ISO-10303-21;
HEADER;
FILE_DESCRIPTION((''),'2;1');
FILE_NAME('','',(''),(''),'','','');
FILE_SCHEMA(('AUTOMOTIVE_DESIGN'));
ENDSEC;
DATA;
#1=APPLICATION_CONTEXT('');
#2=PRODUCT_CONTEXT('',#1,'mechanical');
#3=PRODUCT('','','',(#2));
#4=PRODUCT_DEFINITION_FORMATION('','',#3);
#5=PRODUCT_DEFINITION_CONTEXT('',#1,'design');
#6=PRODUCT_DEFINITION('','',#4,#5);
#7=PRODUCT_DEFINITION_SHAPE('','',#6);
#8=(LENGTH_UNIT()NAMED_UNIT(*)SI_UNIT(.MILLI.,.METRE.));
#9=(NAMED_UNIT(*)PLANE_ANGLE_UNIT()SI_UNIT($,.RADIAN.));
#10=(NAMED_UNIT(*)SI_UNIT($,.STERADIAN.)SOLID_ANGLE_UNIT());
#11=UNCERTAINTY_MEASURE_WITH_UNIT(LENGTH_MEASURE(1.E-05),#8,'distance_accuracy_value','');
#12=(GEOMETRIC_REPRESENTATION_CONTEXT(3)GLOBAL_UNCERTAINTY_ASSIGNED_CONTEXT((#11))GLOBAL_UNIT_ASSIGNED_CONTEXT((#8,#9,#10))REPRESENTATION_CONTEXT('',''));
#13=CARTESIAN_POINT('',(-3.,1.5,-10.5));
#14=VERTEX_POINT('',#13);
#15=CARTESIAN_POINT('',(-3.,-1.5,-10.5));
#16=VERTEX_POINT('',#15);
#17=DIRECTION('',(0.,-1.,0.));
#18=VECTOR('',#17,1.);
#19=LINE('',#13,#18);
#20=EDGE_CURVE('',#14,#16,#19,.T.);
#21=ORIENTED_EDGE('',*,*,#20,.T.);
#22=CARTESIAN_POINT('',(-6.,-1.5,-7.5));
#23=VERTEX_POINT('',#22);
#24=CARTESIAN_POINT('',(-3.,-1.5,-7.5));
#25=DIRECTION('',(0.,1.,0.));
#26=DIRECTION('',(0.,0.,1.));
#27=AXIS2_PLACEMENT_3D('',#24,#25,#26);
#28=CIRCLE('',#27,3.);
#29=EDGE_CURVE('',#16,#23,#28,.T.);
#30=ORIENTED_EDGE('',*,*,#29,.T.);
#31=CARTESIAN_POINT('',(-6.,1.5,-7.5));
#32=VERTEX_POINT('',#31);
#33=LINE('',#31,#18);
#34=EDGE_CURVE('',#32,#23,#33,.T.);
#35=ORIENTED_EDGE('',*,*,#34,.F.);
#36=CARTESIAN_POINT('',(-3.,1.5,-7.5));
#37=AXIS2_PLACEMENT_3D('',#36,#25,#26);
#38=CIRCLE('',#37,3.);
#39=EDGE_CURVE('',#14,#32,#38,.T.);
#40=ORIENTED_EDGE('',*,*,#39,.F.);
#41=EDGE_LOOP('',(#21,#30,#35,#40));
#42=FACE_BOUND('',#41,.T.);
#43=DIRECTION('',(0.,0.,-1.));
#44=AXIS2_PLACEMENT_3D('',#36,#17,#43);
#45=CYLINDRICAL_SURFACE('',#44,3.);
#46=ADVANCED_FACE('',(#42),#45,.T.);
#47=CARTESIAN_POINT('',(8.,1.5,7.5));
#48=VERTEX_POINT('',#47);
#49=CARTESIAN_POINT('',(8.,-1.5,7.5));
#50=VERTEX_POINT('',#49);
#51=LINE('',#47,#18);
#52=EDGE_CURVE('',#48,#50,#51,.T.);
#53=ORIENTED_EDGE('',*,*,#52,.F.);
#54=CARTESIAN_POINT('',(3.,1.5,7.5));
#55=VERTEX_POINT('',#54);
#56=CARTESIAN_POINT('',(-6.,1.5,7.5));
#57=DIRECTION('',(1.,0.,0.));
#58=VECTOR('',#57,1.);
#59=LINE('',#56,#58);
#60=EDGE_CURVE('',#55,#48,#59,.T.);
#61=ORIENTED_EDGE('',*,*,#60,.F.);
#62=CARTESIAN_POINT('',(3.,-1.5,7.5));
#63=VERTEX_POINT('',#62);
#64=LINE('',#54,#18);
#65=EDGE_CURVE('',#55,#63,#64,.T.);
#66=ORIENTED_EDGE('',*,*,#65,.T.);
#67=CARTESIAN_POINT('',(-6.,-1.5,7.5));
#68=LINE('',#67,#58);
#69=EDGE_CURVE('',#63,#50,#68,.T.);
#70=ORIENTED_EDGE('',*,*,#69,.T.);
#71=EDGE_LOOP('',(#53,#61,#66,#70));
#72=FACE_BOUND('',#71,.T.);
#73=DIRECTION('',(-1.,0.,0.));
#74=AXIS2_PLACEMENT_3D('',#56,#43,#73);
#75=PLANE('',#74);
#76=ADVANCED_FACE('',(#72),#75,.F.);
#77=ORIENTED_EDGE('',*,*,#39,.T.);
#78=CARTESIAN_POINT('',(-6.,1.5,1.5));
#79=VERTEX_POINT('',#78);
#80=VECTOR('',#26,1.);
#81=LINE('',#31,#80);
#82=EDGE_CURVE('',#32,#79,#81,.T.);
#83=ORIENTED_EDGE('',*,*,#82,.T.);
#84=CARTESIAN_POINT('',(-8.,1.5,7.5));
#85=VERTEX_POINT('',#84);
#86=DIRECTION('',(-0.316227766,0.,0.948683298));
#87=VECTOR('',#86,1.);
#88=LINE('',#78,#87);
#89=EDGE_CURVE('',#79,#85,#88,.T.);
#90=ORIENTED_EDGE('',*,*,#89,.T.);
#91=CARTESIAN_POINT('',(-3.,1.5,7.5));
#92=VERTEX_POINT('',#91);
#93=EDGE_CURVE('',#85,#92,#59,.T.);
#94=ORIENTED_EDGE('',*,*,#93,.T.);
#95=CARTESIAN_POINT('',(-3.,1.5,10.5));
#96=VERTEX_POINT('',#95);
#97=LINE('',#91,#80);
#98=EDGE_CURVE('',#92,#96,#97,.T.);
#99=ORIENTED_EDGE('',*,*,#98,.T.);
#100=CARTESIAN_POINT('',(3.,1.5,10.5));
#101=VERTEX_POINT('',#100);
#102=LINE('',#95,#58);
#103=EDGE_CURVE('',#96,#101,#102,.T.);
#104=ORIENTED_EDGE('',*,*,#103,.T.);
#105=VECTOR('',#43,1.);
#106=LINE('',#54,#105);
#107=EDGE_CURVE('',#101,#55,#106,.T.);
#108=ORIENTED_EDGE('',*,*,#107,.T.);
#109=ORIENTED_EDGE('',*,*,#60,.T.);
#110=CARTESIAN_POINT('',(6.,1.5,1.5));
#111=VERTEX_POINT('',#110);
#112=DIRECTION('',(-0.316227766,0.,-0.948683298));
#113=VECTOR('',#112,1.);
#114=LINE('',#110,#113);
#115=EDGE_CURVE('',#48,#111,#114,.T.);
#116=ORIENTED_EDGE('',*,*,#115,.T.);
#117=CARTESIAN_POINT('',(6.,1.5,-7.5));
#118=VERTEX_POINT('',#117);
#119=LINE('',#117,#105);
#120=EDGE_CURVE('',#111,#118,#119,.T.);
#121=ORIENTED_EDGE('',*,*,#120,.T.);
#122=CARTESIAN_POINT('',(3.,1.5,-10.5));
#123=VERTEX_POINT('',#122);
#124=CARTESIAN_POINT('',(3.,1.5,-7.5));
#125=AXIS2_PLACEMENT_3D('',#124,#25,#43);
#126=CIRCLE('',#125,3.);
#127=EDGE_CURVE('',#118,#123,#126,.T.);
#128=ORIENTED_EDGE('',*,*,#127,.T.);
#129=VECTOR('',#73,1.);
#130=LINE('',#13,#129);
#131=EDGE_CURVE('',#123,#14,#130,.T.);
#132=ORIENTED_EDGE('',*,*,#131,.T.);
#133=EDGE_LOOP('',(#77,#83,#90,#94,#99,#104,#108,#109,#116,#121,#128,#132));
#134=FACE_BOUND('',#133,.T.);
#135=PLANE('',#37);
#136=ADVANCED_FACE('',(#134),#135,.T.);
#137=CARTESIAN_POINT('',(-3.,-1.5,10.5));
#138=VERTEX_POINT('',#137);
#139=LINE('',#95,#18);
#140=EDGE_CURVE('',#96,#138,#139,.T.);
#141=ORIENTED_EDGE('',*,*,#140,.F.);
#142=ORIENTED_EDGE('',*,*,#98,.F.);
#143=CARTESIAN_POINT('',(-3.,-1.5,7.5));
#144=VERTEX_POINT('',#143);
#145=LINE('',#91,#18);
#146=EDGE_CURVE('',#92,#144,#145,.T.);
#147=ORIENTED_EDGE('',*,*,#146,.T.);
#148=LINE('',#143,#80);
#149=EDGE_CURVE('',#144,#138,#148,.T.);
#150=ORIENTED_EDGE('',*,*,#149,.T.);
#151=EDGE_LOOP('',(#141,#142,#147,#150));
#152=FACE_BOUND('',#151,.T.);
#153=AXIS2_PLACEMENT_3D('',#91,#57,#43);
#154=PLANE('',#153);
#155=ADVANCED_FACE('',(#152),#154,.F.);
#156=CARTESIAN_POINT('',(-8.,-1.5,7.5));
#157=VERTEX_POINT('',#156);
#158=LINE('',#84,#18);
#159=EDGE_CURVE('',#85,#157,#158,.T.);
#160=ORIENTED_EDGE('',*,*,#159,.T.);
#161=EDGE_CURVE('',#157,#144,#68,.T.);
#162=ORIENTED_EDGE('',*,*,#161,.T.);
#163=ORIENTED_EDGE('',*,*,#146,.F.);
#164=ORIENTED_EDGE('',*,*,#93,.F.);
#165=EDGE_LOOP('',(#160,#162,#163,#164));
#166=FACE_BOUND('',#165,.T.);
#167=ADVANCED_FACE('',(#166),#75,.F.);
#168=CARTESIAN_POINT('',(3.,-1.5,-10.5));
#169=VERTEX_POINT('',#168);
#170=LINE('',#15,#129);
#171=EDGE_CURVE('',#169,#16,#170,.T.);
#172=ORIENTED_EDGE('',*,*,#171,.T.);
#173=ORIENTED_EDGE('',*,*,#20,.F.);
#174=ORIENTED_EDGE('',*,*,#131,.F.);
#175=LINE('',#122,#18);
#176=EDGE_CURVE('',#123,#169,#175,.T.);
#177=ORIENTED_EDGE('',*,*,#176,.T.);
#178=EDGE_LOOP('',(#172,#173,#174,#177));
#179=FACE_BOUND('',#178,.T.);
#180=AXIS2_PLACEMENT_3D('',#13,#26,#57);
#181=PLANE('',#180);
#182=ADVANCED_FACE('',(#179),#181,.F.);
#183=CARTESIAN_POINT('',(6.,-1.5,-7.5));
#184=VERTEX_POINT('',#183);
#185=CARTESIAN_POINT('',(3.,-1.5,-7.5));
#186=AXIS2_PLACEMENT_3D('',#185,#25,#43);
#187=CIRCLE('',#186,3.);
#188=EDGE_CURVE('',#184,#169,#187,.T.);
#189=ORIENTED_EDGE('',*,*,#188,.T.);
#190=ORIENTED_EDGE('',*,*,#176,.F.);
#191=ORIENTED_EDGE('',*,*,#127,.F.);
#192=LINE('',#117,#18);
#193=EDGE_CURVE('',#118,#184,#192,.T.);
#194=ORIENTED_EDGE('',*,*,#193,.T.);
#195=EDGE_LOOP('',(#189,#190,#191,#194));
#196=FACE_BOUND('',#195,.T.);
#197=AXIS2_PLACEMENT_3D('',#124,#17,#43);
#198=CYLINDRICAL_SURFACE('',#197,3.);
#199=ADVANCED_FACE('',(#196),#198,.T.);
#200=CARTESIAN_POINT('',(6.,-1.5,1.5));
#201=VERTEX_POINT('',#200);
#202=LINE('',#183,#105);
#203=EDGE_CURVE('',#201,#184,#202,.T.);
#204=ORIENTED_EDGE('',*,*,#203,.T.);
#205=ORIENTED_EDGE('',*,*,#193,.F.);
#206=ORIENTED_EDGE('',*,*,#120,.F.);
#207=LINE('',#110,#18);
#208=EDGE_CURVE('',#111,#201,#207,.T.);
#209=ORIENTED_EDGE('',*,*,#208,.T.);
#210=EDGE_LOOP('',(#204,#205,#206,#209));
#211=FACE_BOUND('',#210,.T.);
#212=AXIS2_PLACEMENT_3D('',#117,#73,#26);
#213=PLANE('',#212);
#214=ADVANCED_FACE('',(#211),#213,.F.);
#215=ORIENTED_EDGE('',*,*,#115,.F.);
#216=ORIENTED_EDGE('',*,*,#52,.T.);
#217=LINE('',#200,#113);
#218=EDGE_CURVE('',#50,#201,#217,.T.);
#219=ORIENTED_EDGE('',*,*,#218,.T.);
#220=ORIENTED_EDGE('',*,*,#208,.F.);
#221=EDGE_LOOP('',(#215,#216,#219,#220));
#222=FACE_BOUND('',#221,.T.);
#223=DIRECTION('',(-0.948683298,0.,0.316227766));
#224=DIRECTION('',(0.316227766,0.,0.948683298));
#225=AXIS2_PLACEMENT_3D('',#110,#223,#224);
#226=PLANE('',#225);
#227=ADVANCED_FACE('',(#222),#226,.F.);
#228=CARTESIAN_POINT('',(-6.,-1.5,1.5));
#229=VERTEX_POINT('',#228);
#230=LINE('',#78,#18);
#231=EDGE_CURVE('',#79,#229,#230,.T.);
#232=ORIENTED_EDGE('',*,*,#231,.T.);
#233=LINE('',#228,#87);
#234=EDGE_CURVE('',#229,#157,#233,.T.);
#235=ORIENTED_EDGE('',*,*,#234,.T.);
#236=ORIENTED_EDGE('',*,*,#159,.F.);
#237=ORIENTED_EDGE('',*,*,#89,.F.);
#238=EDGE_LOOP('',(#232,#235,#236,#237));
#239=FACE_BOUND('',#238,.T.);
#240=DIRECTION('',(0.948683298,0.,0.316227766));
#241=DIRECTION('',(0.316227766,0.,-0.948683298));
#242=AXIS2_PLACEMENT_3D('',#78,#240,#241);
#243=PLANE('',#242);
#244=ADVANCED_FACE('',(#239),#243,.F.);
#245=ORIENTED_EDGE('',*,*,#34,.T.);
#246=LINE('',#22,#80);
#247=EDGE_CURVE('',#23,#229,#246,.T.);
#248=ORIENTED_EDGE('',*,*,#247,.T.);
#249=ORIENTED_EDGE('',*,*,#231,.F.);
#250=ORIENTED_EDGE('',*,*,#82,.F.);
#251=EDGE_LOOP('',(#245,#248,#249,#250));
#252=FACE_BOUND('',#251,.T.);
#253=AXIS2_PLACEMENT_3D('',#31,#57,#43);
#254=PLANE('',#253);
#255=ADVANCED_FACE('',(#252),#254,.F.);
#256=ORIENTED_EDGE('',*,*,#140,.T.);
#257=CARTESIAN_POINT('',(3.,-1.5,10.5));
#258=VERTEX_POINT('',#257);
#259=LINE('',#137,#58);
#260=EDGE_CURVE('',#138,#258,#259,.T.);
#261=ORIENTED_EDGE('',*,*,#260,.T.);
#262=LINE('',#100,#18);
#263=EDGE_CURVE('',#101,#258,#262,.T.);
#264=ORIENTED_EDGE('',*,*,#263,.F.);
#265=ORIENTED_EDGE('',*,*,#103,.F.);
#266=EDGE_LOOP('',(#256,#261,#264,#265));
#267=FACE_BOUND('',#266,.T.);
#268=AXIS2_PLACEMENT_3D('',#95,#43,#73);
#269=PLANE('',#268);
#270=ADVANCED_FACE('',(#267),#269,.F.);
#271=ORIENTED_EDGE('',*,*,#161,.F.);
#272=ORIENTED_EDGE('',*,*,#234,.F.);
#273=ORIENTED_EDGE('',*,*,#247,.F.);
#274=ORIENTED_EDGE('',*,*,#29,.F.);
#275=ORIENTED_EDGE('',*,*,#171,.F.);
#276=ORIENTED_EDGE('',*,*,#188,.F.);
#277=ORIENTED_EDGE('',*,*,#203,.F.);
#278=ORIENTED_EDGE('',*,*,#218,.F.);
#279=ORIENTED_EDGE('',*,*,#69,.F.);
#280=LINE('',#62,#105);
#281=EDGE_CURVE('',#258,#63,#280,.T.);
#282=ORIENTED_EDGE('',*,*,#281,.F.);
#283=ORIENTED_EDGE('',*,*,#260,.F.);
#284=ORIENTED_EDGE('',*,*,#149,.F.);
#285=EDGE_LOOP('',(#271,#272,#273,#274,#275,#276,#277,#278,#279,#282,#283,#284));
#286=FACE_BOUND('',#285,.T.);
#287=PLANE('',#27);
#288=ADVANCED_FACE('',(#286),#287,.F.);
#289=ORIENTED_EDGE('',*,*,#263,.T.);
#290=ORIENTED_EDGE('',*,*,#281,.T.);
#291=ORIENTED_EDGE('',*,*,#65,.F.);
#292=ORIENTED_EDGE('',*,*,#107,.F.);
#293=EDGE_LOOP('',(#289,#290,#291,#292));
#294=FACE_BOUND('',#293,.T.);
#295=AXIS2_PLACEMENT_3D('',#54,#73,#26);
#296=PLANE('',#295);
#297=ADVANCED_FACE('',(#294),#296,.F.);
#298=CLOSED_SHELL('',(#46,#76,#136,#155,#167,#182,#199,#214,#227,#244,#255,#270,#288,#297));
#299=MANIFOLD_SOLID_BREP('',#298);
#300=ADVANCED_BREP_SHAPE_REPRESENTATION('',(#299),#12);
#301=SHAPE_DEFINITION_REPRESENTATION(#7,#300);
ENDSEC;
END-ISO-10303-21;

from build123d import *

# Parameters (mm, degrees)
BOSS_EXTRUDE4_DEPTH = 1.5
SKETCH8_W           = 6
SKETCH8_H           = 3
BOSS_EXTRUDE5_DEPTH = 1.5
BOSS_EXTRUDE6_DEPTH = 1.5


with BuildPart() as part:
    # Sketch6 → Boss-Extrude4 (new body, symmetric)
    with BuildSketch(Plane(origin=(0, 0, 0), x_dir=(1, 0, 0), z_dir=(0, 1, 0))):
        with BuildLine():
            Line((-3, 10.5), (3, 10.5))
            ThreePointArc((3, 10.5), (5.121320344, 9.621320344), (6, 7.5))
            Line((6, 7.5), (6, -7.5))
            Line((6, -7.5), (-6, -7.5))
            Line((-6, -7.5), (-6, 7.5))
            ThreePointArc((-6, 7.5), (-5.121320344, 9.621320344), (-3, 10.5))
        make_face()
    extrude(amount=BOSS_EXTRUDE4_DEPTH, both=True)

    # Sketch8 → Boss-Extrude5 (add, symmetric)
    with BuildSketch(Plane(origin=(0, 0, 0), x_dir=(1, 0, 0), z_dir=(0, 1, 0))):
        with Locations((0, -9)):
            Rectangle(SKETCH8_W, SKETCH8_H)
    extrude(amount=BOSS_EXTRUDE5_DEPTH, both=True)

    # Sketch9 → Boss-Extrude6 (add, symmetric)
    with BuildSketch(Plane(origin=(0, 0, 0), x_dir=(1, 0, 0), z_dir=(0, 1, 0))):
        Polygon((-6, -1.5), (-8, -7.5), (-6, -7.5), align=None)
        Polygon((6, -1.5), (6, -7.5), (8, -7.5), align=None)
    extrude(amount=BOSS_EXTRUDE6_DEPTH, both=True)


solid = part.part
